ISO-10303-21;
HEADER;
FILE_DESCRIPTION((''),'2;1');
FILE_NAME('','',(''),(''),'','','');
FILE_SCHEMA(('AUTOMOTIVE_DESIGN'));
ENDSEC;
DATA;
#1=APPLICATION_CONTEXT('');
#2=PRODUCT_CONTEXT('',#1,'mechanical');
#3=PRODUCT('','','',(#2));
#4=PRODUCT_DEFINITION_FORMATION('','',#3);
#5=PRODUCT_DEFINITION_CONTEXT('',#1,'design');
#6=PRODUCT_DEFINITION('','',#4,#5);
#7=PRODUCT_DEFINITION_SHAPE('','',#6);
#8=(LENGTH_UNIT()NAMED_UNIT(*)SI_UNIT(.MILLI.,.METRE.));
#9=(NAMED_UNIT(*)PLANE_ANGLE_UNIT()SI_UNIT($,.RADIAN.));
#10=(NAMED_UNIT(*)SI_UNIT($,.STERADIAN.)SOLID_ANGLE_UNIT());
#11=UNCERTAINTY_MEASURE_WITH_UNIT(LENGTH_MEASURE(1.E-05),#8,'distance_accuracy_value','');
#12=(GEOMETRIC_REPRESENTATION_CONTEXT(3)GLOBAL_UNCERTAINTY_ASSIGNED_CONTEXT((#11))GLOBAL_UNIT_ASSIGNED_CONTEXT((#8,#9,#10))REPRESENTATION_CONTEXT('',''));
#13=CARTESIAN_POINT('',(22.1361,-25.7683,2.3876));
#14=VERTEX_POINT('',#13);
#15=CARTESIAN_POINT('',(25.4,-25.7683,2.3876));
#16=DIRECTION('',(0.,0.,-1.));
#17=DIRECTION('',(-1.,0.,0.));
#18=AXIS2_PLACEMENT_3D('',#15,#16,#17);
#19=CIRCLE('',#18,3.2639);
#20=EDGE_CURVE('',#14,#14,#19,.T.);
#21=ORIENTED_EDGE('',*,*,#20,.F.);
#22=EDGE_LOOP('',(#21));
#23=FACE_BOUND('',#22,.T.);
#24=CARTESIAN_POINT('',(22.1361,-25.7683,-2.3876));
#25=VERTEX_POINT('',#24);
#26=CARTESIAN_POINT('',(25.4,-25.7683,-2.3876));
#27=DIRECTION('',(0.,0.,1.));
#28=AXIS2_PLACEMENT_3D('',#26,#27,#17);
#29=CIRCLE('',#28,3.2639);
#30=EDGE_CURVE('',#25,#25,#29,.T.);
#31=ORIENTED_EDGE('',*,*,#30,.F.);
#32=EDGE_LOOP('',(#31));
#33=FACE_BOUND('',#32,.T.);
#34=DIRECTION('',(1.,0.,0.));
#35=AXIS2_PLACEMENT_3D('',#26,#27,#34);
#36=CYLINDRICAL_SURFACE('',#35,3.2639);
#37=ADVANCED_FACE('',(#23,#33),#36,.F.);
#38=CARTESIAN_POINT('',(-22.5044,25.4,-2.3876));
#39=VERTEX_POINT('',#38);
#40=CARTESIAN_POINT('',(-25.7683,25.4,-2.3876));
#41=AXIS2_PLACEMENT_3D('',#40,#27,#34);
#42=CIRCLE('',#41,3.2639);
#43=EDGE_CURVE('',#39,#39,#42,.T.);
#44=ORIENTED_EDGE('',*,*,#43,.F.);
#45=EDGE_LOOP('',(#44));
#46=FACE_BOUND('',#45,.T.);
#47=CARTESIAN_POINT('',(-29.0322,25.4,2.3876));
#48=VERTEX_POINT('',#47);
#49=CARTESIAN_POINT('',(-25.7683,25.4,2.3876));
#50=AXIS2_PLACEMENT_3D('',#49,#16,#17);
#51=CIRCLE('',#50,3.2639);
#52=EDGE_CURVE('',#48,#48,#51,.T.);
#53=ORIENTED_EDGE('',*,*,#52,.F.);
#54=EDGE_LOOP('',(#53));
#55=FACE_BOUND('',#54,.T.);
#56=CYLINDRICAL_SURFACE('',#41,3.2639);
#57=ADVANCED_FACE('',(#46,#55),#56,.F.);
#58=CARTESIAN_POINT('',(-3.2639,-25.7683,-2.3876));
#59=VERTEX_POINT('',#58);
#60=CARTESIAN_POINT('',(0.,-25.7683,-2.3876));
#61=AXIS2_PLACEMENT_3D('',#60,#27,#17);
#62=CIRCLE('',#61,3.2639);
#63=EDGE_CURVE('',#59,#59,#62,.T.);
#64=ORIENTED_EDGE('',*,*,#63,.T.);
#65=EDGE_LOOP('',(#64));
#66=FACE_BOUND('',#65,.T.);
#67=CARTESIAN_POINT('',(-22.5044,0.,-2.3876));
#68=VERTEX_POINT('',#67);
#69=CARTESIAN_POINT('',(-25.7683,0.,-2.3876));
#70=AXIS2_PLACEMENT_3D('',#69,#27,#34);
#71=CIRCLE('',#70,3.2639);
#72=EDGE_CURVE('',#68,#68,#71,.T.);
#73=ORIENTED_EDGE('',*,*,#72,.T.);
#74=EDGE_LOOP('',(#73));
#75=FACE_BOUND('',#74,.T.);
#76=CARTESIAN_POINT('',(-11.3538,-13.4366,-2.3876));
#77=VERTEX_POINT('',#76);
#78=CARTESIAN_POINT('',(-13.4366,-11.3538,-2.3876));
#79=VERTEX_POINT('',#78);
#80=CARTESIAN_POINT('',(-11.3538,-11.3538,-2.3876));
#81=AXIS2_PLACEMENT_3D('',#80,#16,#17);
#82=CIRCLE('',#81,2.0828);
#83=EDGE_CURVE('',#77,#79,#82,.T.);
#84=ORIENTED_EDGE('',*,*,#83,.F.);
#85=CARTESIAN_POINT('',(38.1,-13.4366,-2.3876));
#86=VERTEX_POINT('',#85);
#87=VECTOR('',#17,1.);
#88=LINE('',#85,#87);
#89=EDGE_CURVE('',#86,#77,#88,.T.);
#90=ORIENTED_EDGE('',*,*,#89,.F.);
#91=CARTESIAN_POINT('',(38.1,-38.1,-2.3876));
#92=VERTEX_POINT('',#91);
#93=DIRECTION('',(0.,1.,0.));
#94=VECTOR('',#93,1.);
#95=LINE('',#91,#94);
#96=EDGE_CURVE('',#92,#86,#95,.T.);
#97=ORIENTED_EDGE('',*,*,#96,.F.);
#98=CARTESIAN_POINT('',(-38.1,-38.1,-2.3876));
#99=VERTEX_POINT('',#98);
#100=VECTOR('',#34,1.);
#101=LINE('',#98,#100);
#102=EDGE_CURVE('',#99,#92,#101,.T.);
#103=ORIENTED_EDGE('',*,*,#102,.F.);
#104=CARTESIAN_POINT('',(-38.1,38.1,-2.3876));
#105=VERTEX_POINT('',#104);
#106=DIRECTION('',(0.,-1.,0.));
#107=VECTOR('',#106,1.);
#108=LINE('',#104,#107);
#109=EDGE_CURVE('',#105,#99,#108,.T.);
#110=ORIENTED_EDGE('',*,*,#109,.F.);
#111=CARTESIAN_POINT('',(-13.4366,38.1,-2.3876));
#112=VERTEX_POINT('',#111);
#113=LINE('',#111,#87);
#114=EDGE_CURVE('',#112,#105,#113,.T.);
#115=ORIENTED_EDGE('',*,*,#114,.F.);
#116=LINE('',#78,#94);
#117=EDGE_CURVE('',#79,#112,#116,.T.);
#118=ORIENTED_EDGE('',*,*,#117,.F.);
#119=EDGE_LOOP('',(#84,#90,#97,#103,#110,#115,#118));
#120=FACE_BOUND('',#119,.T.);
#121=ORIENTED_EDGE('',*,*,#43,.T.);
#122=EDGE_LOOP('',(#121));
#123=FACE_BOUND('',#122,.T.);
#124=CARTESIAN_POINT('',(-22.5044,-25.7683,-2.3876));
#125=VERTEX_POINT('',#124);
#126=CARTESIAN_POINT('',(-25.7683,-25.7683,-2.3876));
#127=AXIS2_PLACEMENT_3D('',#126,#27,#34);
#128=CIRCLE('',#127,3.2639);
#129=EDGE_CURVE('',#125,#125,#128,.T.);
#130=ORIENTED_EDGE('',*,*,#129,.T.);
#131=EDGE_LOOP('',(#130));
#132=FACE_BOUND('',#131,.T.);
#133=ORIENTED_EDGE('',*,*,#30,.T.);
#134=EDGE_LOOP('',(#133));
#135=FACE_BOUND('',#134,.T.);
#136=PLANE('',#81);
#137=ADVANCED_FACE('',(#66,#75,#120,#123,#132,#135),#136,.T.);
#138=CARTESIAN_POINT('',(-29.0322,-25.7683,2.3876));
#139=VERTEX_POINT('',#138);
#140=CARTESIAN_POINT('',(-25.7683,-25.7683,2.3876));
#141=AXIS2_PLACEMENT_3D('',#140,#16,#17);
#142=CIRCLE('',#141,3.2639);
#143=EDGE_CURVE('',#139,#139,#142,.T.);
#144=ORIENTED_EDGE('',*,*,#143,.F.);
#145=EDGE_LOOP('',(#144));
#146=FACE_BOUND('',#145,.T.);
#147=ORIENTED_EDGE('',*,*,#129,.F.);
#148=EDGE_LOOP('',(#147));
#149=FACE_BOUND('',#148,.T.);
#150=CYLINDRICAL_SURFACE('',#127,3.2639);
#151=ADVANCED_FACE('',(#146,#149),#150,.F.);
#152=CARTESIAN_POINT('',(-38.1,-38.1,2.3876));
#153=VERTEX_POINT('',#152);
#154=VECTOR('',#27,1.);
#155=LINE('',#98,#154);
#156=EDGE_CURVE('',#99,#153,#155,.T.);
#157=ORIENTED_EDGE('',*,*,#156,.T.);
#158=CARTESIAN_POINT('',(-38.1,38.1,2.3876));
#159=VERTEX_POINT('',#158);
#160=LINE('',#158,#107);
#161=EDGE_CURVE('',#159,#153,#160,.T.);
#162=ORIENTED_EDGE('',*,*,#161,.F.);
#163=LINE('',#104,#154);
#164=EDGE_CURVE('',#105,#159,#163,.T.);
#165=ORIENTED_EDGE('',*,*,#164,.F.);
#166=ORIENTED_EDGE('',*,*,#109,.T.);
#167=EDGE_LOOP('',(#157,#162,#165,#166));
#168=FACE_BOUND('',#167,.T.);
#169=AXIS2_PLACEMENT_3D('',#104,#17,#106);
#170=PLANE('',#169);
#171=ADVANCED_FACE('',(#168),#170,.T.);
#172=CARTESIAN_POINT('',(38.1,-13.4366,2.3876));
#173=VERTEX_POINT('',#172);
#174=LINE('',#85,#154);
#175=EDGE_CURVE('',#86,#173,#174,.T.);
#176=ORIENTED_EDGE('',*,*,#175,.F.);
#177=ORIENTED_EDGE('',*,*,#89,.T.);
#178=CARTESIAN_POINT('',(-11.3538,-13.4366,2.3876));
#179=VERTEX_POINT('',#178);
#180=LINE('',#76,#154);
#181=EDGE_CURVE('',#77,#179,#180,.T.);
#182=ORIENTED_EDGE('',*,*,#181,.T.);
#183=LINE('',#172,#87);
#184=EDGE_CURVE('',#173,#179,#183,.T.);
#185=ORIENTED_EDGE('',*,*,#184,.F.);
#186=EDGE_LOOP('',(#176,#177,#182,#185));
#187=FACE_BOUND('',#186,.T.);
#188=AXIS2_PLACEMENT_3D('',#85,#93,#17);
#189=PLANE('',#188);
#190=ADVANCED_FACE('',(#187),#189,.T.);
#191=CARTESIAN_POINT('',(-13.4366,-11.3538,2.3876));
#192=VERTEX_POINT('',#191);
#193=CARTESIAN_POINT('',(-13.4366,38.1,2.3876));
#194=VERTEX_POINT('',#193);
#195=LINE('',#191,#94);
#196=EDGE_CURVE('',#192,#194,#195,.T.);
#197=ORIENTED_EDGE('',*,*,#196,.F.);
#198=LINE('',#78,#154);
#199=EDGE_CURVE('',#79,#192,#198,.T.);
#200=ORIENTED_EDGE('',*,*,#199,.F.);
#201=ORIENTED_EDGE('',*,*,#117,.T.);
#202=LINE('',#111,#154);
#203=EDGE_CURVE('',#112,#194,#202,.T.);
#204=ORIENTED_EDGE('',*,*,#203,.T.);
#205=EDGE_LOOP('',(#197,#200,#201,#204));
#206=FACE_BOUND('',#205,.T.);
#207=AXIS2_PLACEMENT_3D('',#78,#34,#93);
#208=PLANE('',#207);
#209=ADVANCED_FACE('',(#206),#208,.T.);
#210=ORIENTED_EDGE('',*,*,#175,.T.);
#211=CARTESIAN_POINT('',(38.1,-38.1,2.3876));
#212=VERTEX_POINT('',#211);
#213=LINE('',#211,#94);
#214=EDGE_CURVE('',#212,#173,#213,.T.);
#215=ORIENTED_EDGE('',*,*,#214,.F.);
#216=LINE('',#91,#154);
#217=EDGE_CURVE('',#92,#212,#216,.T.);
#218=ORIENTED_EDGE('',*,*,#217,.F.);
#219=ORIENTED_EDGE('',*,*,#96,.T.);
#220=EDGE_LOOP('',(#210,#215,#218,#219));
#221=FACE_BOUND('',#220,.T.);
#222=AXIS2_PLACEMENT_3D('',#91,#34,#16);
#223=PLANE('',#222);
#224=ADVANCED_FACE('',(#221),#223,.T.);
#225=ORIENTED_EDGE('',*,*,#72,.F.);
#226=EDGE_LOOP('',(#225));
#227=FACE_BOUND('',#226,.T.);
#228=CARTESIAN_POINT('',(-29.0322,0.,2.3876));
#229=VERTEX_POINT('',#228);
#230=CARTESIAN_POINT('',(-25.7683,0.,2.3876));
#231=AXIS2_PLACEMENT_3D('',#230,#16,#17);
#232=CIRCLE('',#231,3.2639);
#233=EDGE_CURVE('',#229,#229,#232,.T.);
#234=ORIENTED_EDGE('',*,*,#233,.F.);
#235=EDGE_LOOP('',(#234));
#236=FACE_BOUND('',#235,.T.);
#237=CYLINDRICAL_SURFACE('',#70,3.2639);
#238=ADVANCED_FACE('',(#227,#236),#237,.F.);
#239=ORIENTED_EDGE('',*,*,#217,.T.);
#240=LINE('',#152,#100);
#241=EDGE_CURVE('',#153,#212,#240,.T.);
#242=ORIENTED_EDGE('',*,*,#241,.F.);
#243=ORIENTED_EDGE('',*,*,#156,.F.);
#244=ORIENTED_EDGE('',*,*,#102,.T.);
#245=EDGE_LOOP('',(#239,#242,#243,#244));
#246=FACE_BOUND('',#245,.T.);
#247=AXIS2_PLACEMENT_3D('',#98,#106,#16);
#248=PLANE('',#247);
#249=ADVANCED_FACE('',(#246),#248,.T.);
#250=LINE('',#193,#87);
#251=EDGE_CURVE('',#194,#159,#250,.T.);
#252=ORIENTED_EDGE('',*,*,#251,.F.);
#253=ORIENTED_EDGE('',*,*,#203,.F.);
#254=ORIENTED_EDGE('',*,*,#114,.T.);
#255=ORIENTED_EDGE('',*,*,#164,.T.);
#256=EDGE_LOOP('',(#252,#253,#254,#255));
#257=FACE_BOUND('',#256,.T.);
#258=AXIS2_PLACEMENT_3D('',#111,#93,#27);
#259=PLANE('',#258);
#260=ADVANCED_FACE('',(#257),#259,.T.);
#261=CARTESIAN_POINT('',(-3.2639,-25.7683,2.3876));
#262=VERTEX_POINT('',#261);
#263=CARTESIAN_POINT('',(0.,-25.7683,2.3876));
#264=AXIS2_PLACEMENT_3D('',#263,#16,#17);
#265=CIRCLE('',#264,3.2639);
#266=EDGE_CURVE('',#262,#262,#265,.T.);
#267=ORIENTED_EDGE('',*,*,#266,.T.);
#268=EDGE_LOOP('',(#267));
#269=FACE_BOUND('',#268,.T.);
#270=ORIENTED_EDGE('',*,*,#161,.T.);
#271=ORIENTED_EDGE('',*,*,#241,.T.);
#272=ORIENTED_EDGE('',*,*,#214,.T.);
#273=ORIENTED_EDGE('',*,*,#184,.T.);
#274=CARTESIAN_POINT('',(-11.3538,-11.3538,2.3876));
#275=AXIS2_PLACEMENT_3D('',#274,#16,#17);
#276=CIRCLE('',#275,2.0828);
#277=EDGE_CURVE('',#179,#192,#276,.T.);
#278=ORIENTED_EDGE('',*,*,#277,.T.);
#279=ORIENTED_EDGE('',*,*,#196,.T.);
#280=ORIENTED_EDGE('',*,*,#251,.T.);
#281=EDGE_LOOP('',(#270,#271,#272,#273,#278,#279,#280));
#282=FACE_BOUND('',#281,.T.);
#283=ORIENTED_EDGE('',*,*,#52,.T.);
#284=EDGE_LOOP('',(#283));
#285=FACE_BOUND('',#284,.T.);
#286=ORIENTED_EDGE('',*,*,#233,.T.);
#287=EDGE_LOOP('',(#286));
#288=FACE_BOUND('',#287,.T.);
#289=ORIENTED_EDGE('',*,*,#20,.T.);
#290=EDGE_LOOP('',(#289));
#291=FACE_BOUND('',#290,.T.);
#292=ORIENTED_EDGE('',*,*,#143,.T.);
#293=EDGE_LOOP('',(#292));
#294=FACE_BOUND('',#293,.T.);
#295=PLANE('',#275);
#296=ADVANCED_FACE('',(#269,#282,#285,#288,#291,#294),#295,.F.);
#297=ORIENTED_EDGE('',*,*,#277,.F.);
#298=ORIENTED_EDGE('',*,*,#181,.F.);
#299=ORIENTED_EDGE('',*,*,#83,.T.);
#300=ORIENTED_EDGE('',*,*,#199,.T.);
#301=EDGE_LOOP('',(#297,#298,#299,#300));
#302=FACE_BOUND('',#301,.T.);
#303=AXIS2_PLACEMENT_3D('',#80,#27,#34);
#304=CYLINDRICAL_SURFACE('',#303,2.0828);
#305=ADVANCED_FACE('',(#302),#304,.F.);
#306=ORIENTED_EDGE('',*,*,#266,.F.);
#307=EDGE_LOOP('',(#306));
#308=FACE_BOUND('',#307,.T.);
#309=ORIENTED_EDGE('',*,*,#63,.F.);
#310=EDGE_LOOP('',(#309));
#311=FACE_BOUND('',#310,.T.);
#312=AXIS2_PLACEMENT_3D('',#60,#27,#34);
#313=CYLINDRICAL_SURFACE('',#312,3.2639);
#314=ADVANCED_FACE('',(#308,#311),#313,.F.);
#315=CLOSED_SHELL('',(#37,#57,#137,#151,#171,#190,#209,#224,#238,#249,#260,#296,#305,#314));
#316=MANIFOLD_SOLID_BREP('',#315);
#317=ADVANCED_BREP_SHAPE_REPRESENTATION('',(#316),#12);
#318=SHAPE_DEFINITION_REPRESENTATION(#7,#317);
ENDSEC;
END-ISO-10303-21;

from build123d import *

# Parameters (mm, degrees)
BOSS_EXTRUDE1_DEPTH      = 2.3876
BOSS_EXTRUDE1_DEPTH_BACK = 2.3876
SKETCH4_R                = 3.2639
CUT_EXTRUDE1_DEPTH       = 1
CUT_EXTRUDE1_DEPTH_BACK  = 5.7752


with BuildPart() as part:
    # Sketch3 → Boss-Extrude1 (new body, two sides)
    with BuildSketch(Plane.XY) as boss_extrude1_sk:
        with BuildLine():
            Line((-13.4366, 38.1), (-38.1, 38.1))
            Line((-38.1, 38.1), (-38.1, -38.1))
            Line((-38.1, -38.1), (38.1, -38.1))
            Line((38.1, -38.1), (38.1, -13.4366))
            Line((38.1, -13.4366), (-11.3538, -13.4366))
            ThreePointArc((-11.3538, -13.4366), (-12.826562004, -12.826562004), (-13.4366, -11.3538))
            Line((-13.4366, -11.3538), (-13.4366, 38.1))
        make_face()
    extrude(amount=BOSS_EXTRUDE1_DEPTH)
    extrude(boss_extrude1_sk.sketch, amount=-BOSS_EXTRUDE1_DEPTH_BACK)

    # Sketch4 → Cut-Extrude1 (cut, two sides)
    with BuildSketch(Plane.XY.offset(2.3876)) as cut_extrude1_sk:
        with Locations((-25.7683, 25.4)):
            Circle(SKETCH4_R)
        with Locations((-25.7683, 0)):
            Circle(SKETCH4_R)
        with Locations((0, -25.7683)):
            Circle(SKETCH4_R)
        with Locations((25.4, -25.7683)):
            Circle(SKETCH4_R)
        with Locations((-25.7683, -25.7683)):
            Circle(SKETCH4_R)
    extrude(amount=CUT_EXTRUDE1_DEPTH, mode=Mode.SUBTRACT)
    extrude(cut_extrude1_sk.sketch, amount=-CUT_EXTRUDE1_DEPTH_BACK, mode=Mode.SUBTRACT)


solid = part.part
